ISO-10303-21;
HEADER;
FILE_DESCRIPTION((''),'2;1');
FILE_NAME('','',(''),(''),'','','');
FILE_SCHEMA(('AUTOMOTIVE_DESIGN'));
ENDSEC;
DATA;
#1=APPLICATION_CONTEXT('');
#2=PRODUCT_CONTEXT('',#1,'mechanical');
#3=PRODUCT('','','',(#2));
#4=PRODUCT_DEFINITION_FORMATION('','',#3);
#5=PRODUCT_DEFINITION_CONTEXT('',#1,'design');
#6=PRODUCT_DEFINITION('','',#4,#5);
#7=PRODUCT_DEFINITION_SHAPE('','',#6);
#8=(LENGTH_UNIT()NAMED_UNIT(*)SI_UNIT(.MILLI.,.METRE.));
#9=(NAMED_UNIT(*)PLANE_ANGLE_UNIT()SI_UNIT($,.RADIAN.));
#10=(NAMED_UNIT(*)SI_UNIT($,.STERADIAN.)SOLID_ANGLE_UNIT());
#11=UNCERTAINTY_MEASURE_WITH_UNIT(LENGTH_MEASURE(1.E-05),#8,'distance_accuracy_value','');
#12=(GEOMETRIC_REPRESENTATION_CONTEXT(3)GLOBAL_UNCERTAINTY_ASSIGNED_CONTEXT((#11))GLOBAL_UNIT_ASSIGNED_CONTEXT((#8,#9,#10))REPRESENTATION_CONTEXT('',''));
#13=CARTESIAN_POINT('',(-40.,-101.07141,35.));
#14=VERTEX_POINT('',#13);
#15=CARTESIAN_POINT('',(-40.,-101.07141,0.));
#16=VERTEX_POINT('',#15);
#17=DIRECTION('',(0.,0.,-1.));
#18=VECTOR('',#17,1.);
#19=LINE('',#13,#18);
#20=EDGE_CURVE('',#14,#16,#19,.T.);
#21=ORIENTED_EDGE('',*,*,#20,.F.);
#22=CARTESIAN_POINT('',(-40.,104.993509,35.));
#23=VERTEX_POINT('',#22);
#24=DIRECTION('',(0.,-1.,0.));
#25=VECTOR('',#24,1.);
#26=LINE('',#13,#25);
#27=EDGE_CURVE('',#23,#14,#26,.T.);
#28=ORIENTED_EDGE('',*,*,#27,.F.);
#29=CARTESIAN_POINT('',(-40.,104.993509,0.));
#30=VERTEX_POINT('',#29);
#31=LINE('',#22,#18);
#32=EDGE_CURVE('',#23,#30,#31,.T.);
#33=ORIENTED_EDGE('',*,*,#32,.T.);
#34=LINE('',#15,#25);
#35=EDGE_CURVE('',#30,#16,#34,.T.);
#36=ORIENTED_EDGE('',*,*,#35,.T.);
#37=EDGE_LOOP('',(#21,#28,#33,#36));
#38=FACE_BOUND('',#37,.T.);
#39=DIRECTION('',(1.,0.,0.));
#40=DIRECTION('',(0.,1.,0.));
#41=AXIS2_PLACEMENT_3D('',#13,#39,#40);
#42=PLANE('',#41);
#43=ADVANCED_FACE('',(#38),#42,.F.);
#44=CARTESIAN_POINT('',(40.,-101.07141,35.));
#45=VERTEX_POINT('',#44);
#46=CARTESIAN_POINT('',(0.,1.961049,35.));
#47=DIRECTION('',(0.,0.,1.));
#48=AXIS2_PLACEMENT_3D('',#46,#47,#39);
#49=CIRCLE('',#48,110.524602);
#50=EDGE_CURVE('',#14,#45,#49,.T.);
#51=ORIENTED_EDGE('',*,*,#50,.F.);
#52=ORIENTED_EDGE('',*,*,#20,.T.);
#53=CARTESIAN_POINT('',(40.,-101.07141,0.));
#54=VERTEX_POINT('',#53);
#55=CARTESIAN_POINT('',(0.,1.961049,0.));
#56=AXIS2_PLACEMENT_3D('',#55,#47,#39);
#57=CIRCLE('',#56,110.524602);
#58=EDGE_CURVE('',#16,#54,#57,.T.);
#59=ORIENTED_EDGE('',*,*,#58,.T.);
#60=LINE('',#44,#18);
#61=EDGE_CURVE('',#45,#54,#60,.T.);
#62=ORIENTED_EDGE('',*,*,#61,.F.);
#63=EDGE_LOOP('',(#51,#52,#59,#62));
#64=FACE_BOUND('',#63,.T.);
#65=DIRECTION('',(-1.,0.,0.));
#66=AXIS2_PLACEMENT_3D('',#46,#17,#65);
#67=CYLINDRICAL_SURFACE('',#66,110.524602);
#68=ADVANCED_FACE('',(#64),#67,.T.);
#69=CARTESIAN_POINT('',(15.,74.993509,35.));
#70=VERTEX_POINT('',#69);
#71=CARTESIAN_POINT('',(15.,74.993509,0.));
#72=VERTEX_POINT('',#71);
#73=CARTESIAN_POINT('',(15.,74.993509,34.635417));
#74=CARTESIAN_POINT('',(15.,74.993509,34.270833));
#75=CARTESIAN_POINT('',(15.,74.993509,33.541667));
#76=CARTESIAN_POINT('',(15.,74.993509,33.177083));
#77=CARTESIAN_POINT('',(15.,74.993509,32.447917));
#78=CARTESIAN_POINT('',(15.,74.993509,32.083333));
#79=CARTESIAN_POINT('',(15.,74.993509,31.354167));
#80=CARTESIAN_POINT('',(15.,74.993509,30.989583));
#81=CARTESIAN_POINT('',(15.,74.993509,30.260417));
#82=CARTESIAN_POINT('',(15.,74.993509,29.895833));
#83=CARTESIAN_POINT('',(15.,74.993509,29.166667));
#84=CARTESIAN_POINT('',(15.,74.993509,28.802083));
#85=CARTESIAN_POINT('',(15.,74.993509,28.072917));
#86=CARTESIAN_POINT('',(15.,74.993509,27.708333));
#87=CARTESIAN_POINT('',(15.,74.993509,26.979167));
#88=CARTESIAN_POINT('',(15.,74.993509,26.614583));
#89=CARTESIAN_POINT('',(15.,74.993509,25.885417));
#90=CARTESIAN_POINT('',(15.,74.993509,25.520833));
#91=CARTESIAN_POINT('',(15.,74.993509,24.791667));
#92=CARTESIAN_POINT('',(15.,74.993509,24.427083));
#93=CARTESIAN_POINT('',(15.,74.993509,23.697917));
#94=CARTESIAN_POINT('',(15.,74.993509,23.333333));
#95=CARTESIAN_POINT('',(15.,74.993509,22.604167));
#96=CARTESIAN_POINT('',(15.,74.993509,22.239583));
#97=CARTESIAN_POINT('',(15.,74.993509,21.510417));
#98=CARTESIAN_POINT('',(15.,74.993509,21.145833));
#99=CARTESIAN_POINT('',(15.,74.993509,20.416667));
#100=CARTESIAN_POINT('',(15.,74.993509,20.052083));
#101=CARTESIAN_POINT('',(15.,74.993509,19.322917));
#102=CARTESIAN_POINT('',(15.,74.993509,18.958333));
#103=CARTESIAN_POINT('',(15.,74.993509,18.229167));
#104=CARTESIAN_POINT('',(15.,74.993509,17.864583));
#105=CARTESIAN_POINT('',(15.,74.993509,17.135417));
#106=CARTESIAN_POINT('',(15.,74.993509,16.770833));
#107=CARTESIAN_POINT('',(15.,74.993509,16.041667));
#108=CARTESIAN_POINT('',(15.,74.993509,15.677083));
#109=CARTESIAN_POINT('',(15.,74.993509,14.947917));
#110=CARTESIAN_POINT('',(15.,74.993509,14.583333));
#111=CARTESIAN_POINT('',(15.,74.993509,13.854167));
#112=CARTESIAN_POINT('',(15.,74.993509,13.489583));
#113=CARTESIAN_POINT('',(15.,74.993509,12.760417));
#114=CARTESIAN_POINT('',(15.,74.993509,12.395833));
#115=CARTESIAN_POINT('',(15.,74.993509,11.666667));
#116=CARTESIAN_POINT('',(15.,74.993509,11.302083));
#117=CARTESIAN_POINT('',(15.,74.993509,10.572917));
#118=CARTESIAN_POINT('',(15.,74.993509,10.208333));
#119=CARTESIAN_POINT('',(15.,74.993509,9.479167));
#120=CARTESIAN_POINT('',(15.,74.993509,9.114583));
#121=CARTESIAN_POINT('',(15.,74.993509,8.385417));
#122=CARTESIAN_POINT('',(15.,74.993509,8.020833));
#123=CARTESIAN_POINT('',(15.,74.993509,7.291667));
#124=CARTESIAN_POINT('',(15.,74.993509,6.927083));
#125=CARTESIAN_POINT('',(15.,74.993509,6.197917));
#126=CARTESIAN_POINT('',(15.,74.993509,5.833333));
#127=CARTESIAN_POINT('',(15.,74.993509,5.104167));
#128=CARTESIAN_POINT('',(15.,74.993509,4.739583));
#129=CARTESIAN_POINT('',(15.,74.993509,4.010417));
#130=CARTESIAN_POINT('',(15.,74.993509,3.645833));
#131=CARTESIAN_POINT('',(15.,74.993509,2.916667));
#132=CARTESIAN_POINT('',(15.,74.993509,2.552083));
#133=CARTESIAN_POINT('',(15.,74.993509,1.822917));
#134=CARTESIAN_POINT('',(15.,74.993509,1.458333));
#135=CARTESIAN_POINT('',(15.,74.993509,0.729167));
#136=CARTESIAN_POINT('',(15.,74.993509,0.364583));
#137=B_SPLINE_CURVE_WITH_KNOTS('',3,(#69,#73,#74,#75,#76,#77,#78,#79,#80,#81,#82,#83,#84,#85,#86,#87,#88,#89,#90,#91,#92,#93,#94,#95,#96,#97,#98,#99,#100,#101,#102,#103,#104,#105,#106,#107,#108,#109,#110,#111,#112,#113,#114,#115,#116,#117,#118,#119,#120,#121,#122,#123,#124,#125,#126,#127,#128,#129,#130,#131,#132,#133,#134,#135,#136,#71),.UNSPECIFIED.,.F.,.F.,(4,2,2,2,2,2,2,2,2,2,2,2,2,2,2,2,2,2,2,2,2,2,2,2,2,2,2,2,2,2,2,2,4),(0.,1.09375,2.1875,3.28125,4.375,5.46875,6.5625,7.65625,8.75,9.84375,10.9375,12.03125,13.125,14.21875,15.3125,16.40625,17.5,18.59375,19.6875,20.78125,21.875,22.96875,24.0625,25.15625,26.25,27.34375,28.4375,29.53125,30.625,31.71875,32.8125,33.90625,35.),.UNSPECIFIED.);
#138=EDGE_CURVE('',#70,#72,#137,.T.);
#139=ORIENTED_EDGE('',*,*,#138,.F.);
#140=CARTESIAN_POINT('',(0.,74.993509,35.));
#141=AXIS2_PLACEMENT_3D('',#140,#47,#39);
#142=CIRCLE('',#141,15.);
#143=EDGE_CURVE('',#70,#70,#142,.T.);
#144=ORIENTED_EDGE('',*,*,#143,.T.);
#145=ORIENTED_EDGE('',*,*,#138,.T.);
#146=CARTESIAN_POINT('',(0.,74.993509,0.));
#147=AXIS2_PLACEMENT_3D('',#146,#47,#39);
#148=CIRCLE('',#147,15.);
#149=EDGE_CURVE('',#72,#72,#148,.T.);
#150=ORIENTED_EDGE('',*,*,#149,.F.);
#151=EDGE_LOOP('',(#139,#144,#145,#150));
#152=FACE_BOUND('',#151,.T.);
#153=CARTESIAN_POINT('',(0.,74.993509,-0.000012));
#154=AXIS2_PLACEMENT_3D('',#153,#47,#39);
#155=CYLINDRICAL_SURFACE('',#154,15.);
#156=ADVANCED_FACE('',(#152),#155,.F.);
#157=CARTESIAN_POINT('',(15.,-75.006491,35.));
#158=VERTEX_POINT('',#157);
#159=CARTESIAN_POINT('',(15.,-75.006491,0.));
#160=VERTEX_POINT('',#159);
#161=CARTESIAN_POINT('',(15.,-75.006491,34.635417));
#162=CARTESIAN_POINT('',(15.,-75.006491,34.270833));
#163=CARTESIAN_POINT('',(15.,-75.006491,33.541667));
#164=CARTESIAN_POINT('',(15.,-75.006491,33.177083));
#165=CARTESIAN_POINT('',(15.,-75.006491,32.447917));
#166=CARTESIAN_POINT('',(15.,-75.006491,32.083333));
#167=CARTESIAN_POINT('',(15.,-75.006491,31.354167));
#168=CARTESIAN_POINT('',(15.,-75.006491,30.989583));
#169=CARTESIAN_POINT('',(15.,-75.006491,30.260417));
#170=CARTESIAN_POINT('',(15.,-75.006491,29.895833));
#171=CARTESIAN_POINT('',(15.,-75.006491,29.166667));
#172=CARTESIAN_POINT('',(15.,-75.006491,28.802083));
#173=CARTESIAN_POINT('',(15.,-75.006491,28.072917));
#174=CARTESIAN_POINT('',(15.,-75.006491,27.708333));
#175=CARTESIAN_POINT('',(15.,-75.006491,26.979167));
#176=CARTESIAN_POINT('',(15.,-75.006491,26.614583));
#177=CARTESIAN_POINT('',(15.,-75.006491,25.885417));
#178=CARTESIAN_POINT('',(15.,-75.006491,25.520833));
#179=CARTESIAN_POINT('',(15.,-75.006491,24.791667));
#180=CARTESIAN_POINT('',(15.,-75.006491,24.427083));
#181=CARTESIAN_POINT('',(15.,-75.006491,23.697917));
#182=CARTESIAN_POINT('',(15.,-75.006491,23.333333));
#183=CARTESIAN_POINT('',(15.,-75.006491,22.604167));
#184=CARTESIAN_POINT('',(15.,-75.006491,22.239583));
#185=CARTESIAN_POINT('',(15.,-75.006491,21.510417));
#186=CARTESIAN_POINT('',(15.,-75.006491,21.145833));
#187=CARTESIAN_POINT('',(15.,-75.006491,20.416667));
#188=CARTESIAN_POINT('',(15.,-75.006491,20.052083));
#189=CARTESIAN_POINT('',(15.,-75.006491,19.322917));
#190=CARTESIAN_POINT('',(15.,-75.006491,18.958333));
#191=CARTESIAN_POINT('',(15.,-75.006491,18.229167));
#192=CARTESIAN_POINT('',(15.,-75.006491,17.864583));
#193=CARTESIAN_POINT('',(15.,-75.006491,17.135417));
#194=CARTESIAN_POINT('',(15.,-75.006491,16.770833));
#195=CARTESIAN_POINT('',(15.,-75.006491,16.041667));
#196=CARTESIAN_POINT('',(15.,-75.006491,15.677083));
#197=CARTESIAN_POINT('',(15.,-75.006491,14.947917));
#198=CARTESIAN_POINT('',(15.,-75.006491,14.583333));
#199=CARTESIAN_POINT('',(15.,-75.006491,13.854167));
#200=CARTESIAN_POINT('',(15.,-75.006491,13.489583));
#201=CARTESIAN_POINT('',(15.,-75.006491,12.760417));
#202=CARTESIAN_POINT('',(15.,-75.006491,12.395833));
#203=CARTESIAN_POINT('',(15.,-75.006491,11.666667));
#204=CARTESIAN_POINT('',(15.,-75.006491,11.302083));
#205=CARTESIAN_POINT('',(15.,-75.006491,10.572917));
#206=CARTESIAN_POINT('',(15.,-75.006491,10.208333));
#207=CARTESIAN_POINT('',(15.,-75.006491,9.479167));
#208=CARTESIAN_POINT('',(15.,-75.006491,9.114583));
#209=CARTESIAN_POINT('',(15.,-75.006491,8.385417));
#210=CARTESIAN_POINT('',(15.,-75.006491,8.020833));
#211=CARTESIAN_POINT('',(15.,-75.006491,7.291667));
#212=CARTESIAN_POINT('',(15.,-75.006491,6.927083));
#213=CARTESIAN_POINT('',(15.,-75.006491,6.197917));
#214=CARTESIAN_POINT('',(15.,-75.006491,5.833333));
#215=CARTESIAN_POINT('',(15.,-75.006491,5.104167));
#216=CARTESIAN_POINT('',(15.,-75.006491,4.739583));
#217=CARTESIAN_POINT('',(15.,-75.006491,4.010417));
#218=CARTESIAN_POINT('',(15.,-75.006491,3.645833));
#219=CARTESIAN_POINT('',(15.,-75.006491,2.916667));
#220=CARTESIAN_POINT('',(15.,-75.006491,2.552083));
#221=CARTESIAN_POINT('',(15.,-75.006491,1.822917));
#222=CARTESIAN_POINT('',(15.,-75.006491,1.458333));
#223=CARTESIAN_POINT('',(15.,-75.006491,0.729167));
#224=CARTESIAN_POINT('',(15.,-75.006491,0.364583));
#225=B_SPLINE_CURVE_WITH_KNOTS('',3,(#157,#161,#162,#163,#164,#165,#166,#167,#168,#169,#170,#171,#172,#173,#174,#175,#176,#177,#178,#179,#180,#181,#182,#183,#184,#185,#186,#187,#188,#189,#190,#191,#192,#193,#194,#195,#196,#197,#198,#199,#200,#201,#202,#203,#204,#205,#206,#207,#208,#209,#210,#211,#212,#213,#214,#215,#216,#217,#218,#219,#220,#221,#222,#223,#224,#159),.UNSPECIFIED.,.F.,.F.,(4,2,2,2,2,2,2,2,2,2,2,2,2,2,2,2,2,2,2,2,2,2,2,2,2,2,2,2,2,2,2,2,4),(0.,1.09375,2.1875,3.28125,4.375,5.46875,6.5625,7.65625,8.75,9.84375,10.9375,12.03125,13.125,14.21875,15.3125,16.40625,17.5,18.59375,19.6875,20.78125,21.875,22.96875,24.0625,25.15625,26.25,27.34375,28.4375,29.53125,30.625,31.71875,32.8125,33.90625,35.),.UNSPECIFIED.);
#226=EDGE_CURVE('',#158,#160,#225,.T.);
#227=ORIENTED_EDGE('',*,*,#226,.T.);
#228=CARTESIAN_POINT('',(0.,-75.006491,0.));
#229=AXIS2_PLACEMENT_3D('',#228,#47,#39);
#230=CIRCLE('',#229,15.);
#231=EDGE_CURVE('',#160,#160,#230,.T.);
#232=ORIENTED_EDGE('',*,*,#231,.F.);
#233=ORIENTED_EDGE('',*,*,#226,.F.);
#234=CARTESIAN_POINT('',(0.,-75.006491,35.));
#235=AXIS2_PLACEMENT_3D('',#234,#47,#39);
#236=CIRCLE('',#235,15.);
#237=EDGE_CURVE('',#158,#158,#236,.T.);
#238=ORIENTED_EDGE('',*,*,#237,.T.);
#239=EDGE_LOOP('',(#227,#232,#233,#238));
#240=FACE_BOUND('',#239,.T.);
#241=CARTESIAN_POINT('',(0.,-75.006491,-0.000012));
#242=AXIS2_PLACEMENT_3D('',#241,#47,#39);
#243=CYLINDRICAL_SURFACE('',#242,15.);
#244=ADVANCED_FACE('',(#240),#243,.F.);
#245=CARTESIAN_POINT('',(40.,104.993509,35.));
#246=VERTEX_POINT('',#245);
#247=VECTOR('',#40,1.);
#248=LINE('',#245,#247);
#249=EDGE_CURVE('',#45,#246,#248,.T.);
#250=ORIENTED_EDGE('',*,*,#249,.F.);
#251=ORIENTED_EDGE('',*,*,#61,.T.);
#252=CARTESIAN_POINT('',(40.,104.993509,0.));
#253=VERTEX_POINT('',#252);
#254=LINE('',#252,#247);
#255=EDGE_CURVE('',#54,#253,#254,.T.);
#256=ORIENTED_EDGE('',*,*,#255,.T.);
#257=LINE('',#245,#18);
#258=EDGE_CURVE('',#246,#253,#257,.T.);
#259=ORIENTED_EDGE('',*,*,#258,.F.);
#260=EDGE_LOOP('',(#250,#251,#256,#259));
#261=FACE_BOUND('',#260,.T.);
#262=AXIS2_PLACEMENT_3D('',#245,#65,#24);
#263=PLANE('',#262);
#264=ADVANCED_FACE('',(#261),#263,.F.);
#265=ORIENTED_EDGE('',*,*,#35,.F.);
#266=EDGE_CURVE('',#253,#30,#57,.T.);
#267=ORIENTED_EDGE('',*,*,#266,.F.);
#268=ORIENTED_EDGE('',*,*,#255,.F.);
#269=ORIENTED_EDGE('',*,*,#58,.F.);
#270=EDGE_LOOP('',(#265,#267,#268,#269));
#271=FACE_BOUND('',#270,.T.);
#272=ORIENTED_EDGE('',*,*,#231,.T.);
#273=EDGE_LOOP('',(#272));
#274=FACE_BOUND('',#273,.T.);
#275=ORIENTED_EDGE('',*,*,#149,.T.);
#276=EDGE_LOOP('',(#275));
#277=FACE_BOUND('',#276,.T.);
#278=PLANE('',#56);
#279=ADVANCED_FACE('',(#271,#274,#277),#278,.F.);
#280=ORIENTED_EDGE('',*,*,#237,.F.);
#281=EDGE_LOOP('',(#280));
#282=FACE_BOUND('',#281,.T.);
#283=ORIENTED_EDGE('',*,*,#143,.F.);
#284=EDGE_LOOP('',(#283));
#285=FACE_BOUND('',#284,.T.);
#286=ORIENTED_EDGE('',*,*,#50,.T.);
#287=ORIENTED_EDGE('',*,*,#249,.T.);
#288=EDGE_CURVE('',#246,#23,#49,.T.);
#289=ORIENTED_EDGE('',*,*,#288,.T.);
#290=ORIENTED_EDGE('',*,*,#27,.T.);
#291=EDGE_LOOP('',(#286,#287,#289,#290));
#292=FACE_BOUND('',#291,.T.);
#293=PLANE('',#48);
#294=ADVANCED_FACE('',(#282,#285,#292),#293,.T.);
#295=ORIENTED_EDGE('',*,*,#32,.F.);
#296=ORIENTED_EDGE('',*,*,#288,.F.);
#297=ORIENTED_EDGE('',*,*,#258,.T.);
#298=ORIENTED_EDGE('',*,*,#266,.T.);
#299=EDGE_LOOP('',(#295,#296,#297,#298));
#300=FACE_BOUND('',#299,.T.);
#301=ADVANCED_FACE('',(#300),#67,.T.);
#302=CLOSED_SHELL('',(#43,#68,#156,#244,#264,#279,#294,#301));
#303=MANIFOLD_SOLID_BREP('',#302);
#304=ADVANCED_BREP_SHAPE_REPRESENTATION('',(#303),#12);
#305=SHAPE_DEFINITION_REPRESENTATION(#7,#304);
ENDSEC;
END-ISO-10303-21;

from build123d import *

# Parameters (mm, degrees)
BOSS_EXTRUDE1_DEPTH     = 35
CUT_EXTRUDE1_DEPTH      = 125.410698055
CUT_EXTRUDE1_DEPTH_BACK = 125.410698055
SKETCH2_R               = 15
CUT_EXTRUDE2_DEPTH      = 125.410698055
CUT_EXTRUDE2_DEPTH_BACK = 125.410698055
SKETCH3_R               = 15


with BuildPart() as part:
    # Sketch1 → Boss-Extrude1 (new body)
    with BuildSketch(Plane.XY):
        with BuildLine():
            Line((-40, -101.071410351), (-40, 104.993508703))
            ThreePointArc((-40, 104.993508703), (0, 112.485651488), (40, 104.993508703))
            Line((40, 104.993508703), (40, -101.071410351))
            ThreePointArc((40, -101.071410351), (0, -108.563553136), (-40, -101.071410351))
        make_face()
    extrude(amount=BOSS_EXTRUDE1_DEPTH)

    # Sketch2 → Cut-Extrude1 (cut, two sides: drawn at the far end of the back side and taken through both)
    with BuildSketch(Plane.XY.offset(-CUT_EXTRUDE1_DEPTH_BACK)):
        with Locations((0, 74.993508703)):
            Circle(SKETCH2_R)
    extrude(amount=CUT_EXTRUDE1_DEPTH + CUT_EXTRUDE1_DEPTH_BACK, mode=Mode.SUBTRACT)

    # Sketch3 → Cut-Extrude2 (cut, two sides: drawn at the far end of the back side and taken through both)
    with BuildSketch(Plane.XY.offset(-CUT_EXTRUDE2_DEPTH_BACK)):
        with Locations((0, -75.006491297)):
            Circle(SKETCH3_R)
    extrude(amount=CUT_EXTRUDE2_DEPTH + CUT_EXTRUDE2_DEPTH_BACK, mode=Mode.SUBTRACT)


solid = part.part
